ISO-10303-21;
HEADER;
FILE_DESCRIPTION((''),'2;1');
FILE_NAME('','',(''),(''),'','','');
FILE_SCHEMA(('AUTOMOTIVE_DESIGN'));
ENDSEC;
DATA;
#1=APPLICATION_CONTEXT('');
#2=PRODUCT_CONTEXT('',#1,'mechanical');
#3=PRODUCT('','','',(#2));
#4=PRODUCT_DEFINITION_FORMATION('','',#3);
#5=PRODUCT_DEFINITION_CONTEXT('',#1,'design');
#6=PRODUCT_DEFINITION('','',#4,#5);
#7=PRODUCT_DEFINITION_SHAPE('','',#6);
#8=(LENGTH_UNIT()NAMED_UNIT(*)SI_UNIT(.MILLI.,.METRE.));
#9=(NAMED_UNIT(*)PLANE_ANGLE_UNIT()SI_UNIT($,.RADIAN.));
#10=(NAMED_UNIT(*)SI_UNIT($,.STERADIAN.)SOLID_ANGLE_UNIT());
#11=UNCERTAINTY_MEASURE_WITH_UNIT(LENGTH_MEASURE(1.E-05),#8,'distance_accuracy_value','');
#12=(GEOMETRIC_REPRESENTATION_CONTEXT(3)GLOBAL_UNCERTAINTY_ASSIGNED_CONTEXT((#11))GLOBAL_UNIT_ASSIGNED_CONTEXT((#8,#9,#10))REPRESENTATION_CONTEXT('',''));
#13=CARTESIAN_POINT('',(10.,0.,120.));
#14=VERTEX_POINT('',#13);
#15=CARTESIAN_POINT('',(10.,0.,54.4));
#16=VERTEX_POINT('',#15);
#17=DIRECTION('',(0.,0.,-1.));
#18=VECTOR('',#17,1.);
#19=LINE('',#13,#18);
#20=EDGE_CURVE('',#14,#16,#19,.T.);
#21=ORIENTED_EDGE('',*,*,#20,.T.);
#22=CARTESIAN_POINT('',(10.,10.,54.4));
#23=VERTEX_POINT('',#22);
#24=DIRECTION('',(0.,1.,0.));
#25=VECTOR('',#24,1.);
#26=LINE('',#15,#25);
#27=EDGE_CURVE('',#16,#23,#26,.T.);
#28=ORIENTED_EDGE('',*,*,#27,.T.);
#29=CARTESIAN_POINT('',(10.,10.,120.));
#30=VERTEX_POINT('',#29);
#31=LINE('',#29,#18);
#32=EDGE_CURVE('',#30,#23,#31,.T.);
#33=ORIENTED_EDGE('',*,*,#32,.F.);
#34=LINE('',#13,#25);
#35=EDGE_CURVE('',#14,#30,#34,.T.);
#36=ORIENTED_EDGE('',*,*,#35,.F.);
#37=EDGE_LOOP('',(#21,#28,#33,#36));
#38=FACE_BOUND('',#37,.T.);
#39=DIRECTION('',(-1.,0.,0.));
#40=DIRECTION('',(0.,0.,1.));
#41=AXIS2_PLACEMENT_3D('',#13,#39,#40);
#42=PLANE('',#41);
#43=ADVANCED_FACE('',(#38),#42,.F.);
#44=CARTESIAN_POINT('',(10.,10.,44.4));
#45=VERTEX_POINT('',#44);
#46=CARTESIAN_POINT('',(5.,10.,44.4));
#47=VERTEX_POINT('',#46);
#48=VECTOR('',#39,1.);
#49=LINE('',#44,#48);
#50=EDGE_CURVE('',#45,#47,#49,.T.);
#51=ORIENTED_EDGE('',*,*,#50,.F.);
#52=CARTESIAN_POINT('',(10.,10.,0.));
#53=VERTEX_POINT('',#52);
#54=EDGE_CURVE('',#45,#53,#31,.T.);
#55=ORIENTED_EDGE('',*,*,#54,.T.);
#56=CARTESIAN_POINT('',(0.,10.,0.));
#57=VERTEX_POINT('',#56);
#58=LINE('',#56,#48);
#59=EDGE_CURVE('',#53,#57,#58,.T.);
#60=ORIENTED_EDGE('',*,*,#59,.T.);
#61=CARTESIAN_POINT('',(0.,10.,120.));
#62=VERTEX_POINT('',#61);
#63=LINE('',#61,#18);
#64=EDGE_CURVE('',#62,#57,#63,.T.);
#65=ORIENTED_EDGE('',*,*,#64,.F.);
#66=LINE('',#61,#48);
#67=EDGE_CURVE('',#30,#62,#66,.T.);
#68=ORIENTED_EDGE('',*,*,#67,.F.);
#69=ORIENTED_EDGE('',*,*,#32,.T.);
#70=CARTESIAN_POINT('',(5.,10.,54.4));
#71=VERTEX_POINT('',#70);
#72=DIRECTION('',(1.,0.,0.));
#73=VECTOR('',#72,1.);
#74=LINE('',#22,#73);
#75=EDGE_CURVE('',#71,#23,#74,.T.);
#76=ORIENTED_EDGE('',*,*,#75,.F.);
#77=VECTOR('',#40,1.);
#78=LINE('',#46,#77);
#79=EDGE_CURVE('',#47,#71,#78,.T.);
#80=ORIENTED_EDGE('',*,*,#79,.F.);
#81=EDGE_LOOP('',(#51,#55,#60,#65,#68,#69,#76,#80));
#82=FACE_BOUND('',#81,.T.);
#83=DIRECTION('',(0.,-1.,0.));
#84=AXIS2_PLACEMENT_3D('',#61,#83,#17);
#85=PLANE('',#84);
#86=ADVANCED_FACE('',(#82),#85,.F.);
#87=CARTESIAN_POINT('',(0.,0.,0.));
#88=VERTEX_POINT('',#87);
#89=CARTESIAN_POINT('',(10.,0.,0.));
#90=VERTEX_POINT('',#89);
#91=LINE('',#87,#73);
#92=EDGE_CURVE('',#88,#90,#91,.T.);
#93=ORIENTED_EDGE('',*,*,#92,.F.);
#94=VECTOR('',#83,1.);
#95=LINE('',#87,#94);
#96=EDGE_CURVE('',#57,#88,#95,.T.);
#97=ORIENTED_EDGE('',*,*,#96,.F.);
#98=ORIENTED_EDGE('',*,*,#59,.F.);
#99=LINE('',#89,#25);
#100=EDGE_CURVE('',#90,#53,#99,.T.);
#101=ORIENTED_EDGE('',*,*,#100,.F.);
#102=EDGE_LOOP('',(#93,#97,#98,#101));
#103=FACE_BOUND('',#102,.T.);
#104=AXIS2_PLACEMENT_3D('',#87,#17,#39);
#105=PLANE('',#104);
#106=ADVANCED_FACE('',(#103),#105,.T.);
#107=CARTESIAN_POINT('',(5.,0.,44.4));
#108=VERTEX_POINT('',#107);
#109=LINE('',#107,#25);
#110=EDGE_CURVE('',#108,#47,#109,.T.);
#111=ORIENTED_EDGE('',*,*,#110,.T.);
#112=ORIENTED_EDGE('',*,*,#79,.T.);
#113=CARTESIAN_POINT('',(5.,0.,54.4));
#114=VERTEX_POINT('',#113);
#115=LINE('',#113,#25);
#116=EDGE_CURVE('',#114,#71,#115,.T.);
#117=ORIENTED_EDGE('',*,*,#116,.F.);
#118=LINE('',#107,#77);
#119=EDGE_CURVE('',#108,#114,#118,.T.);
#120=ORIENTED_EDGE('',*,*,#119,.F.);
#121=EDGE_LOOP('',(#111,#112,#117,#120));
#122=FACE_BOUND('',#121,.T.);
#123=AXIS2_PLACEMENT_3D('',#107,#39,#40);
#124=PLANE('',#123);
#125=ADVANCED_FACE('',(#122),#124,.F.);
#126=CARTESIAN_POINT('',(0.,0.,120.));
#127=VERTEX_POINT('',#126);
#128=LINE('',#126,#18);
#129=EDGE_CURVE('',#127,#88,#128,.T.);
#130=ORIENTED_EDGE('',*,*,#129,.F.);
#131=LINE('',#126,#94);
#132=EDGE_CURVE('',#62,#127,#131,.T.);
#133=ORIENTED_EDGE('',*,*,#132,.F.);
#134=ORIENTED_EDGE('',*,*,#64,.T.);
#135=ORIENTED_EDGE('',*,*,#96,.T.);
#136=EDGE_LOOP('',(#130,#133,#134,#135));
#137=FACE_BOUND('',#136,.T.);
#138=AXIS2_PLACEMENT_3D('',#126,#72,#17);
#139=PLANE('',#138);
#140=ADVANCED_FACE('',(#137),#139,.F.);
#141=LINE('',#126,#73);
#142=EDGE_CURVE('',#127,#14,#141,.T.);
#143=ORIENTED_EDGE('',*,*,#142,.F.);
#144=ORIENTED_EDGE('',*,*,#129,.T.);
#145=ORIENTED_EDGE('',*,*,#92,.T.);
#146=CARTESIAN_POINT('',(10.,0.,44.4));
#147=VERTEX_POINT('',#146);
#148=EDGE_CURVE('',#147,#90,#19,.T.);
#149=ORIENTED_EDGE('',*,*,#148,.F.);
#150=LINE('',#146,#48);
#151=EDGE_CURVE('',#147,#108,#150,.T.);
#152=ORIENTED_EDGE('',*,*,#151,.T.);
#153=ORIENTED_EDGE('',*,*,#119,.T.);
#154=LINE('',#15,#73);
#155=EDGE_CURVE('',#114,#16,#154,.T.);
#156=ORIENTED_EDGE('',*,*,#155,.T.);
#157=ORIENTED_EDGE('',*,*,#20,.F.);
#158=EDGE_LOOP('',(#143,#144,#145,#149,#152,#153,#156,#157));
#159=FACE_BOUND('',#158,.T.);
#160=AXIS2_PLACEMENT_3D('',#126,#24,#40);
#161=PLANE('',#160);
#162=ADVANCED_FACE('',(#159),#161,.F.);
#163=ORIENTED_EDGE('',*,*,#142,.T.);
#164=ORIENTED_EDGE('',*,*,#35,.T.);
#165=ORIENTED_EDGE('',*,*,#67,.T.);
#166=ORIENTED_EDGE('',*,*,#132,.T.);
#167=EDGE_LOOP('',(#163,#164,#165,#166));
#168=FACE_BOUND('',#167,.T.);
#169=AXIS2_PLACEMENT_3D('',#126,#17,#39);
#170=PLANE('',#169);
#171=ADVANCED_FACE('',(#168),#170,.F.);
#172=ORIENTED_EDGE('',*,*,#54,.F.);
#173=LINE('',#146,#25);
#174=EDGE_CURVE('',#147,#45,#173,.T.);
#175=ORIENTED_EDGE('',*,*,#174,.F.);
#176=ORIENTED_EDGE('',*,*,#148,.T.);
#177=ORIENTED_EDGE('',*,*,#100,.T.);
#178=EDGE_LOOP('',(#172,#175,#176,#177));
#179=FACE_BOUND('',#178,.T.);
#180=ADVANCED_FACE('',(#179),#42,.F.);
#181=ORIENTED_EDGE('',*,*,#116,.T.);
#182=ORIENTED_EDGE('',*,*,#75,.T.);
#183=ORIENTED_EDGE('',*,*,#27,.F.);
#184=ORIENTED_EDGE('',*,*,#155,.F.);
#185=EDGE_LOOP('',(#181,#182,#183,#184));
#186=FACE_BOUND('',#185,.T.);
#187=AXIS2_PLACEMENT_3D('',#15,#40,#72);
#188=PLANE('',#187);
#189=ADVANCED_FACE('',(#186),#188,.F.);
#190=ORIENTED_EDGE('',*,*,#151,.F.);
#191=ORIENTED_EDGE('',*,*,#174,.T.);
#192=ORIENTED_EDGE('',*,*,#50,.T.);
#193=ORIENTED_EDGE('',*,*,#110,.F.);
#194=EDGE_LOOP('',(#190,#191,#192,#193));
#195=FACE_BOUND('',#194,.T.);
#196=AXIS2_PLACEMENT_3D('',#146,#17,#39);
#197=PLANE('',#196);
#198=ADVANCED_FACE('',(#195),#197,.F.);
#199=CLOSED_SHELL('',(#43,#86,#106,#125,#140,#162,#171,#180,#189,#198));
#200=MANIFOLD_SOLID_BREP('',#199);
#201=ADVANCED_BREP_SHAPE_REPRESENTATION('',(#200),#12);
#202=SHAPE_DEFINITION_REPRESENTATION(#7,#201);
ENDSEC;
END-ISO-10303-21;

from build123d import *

# Parameters (mm, degrees)
ESQUISSE1_W             = 10
ESQUISSE1_H             = 10
BOSS_EXTRU_1_DEPTH      = 120
ESQUISSE2_W             = 5
ESQUISSE2_H             = 10
ENL_V_MAT_EXTRU_1_DEPTH = 121.830459736


with BuildPart() as part:
    # Esquisse1 → Boss.-Extru.1 (new body)
    with BuildSketch(Plane.XY):
        with Locations((5, 5)):
            Rectangle(ESQUISSE1_W, ESQUISSE1_H)
    extrude(amount=BOSS_EXTRU_1_DEPTH)

    # Esquisse2 → Enlèv. mat.-Extru.1 (cut, through all)
    with BuildSketch(Plane(origin=(0, 10, 0), x_dir=(1, 0, 0), z_dir=(0, 1, 0))):
        with Locations((7.5, -49.4)):
            Rectangle(ESQUISSE2_W, ESQUISSE2_H)
    extrude(amount=-ENL_V_MAT_EXTRU_1_DEPTH, mode=Mode.SUBTRACT)


solid = part.part
